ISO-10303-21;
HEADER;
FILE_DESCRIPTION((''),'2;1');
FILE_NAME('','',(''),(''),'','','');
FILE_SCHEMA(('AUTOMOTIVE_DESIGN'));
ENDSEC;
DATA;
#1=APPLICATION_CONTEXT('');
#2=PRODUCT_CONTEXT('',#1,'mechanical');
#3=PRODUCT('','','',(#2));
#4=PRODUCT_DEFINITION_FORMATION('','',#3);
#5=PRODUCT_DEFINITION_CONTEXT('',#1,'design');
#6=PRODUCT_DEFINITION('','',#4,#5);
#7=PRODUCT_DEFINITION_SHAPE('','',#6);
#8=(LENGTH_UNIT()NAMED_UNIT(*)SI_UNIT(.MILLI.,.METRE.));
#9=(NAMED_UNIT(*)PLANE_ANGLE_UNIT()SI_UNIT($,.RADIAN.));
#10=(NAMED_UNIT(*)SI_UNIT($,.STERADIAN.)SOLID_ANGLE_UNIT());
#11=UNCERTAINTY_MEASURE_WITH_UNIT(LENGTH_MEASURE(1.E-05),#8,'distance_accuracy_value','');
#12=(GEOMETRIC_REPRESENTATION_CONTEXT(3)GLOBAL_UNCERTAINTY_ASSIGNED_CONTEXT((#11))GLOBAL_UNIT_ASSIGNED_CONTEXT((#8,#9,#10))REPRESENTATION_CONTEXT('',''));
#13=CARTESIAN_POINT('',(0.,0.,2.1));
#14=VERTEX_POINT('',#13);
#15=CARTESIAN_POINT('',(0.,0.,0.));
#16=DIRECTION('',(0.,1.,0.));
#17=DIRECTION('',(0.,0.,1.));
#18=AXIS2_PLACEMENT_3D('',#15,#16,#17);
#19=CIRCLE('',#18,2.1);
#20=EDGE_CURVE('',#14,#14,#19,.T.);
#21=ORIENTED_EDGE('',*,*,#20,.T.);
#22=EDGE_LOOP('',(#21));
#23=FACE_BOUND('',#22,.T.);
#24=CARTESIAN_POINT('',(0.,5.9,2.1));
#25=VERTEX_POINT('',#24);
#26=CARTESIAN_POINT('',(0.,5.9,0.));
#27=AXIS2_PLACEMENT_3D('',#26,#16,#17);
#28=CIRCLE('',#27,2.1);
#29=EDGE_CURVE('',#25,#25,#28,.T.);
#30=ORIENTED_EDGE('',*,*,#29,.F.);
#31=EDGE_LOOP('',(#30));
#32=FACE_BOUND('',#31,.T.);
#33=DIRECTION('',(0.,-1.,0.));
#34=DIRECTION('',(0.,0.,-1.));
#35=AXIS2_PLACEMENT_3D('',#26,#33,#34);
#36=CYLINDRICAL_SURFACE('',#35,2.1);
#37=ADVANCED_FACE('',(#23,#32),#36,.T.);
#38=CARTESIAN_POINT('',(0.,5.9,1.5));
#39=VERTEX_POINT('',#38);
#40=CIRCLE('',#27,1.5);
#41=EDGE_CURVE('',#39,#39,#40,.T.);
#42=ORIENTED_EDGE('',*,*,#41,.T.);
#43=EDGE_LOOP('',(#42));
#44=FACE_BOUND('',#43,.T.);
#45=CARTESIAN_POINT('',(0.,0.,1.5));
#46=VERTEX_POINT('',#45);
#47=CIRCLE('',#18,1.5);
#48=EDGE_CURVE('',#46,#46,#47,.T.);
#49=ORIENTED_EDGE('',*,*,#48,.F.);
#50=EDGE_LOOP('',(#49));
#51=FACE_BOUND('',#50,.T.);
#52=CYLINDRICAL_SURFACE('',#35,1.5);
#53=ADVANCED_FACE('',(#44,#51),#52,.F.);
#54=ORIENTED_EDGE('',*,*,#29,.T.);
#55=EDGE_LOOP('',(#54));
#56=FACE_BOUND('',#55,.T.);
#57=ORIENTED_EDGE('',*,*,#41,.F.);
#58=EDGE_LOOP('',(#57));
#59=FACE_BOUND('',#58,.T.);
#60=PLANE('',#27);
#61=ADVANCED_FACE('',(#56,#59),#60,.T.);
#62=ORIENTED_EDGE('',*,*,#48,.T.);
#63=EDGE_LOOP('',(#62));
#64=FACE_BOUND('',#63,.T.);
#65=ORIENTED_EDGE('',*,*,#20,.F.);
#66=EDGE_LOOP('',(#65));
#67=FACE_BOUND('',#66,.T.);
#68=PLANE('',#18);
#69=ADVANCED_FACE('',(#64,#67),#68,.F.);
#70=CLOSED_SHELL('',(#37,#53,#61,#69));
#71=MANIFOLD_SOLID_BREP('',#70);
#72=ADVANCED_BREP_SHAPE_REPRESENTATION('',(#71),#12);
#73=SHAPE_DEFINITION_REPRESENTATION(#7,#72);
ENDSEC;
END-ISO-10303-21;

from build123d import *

# Parameters (mm, degrees)
SKETCH1_R           = 2.1
SKETCH1_R_2         = 1.5
BOSS_EXTRUDE1_DEPTH = 5.9


with BuildPart() as part:
    # Sketch1 → Boss-Extrude1 (new body)
    with BuildSketch(Plane(origin=(0, 0, 0), x_dir=(1, 0, 0), z_dir=(0, 1, 0))):
        Circle(SKETCH1_R)
        Circle(SKETCH1_R_2, mode=Mode.SUBTRACT)
    extrude(amount=BOSS_EXTRUDE1_DEPTH)


solid = part.part
